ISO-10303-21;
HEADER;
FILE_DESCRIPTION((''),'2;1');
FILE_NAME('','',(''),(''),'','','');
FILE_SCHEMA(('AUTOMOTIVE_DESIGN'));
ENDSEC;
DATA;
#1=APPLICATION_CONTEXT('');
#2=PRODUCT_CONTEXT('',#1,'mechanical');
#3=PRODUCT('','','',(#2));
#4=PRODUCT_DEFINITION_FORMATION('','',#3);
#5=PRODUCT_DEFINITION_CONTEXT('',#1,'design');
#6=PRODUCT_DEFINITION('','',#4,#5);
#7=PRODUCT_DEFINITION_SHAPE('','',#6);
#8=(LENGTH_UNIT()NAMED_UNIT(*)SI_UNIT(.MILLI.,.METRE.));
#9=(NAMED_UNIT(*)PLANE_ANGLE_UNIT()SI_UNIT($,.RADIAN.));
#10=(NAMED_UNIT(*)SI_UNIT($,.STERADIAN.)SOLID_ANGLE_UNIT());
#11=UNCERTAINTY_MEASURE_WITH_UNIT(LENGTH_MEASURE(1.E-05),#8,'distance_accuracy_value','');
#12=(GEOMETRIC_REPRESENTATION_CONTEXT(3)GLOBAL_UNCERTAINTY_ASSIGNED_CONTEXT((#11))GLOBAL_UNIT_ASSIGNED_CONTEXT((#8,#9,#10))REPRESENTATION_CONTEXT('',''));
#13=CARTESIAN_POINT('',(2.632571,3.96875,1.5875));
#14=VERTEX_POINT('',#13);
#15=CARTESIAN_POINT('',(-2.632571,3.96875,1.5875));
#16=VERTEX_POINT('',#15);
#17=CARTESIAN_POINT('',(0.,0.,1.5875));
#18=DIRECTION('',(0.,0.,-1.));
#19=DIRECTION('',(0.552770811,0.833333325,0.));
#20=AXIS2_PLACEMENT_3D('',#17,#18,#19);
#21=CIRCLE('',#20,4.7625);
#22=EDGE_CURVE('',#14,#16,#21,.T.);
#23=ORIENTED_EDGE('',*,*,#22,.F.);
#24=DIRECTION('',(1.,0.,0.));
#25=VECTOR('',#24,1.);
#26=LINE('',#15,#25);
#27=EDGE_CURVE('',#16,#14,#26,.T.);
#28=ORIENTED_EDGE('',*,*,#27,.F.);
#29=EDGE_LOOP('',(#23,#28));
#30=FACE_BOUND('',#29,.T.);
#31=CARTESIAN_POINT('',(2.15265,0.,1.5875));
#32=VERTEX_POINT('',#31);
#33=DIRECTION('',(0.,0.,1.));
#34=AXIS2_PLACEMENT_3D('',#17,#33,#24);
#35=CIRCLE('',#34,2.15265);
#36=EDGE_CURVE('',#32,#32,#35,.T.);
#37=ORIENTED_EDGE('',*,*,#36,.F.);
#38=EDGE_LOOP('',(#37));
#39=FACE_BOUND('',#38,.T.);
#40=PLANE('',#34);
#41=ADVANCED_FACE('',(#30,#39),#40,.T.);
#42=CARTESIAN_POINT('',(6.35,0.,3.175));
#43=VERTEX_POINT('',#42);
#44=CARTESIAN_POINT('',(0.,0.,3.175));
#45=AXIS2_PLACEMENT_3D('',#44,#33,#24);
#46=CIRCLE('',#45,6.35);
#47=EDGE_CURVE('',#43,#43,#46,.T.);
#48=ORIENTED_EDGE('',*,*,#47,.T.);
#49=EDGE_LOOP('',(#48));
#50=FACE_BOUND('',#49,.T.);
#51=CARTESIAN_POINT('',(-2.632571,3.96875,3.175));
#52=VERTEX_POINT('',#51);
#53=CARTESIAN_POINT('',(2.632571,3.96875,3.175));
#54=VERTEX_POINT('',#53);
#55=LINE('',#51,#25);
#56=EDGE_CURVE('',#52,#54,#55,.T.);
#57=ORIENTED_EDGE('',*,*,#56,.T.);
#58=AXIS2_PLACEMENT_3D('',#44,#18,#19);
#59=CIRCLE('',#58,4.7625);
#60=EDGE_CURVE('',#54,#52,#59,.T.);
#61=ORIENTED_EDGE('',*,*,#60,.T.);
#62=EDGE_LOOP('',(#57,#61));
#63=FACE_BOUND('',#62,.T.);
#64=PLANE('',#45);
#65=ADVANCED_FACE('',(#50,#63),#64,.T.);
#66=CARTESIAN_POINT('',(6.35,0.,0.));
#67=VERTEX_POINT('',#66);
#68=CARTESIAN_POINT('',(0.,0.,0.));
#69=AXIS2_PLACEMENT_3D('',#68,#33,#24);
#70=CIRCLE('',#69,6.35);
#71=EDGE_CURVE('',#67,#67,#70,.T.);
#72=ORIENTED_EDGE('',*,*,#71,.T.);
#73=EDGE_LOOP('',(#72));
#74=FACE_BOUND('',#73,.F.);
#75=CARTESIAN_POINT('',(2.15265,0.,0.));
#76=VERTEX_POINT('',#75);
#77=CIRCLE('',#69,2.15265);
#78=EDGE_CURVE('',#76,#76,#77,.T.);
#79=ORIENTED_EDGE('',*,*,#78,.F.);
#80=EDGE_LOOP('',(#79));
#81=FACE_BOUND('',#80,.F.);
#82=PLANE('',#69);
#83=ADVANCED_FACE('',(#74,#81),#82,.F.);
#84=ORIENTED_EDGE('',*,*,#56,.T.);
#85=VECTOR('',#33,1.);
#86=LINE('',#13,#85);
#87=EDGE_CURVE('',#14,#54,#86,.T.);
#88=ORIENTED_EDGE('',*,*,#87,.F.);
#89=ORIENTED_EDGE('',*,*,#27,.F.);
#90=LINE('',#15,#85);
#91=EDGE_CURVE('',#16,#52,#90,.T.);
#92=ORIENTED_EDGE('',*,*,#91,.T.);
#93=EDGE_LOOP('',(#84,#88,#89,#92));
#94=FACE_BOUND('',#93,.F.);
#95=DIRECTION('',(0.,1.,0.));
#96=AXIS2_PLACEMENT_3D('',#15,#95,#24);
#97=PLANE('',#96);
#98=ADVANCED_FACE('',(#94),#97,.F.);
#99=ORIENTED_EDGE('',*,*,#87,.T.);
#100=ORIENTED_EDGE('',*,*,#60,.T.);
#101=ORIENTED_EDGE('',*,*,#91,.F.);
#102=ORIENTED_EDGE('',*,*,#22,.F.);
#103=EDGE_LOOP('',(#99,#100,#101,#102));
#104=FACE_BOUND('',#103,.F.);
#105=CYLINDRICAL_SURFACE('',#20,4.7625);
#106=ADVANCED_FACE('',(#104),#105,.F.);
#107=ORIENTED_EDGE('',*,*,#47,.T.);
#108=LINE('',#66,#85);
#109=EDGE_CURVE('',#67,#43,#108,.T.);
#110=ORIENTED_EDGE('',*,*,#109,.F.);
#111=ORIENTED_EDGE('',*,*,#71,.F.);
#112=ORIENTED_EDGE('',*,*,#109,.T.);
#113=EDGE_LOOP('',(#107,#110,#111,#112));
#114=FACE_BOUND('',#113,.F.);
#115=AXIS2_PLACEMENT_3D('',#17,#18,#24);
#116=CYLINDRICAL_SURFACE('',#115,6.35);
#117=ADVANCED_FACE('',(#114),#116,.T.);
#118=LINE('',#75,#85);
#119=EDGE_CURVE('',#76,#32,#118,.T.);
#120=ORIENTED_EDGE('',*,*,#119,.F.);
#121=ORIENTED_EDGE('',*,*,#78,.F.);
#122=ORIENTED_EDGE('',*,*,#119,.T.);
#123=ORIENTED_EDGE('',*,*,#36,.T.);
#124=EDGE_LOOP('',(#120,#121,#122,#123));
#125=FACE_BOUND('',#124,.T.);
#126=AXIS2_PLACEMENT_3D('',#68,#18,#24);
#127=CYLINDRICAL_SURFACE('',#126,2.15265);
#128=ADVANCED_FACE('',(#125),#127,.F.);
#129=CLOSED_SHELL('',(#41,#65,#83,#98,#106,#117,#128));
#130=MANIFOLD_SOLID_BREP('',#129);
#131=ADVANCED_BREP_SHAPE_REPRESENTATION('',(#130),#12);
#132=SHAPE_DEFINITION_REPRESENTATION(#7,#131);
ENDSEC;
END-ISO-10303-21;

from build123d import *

# Parameters (mm, degrees)
F0_R     = 6.35
F0_R_2   = 2.15265
F1_DEPTH = 1.5875
F2_R     = 6.35
F3_DEPTH = 1.5875


with BuildPart() as f1:
    # F0 (on Top) → F1 (new body)
    with BuildSketch(Plane.XY):
        Circle(F0_R)
        Circle(F0_R_2, mode=Mode.SUBTRACT)
    extrude(amount=F1_DEPTH)

    # F2 (on face) → F3 (join)
    with BuildSketch(Plane.XY.offset(1.5875)):
        Circle(F2_R)
        with BuildLine():
            ThreePointArc((2.632571, 3.96875), (0, -4.7625), (-2.632571, 3.96875))
            Line((-2.632571, 3.96875), (2.632571, 3.96875))
        make_face(mode=Mode.SUBTRACT)
    extrude(amount=F3_DEPTH)


solid = f1.part
